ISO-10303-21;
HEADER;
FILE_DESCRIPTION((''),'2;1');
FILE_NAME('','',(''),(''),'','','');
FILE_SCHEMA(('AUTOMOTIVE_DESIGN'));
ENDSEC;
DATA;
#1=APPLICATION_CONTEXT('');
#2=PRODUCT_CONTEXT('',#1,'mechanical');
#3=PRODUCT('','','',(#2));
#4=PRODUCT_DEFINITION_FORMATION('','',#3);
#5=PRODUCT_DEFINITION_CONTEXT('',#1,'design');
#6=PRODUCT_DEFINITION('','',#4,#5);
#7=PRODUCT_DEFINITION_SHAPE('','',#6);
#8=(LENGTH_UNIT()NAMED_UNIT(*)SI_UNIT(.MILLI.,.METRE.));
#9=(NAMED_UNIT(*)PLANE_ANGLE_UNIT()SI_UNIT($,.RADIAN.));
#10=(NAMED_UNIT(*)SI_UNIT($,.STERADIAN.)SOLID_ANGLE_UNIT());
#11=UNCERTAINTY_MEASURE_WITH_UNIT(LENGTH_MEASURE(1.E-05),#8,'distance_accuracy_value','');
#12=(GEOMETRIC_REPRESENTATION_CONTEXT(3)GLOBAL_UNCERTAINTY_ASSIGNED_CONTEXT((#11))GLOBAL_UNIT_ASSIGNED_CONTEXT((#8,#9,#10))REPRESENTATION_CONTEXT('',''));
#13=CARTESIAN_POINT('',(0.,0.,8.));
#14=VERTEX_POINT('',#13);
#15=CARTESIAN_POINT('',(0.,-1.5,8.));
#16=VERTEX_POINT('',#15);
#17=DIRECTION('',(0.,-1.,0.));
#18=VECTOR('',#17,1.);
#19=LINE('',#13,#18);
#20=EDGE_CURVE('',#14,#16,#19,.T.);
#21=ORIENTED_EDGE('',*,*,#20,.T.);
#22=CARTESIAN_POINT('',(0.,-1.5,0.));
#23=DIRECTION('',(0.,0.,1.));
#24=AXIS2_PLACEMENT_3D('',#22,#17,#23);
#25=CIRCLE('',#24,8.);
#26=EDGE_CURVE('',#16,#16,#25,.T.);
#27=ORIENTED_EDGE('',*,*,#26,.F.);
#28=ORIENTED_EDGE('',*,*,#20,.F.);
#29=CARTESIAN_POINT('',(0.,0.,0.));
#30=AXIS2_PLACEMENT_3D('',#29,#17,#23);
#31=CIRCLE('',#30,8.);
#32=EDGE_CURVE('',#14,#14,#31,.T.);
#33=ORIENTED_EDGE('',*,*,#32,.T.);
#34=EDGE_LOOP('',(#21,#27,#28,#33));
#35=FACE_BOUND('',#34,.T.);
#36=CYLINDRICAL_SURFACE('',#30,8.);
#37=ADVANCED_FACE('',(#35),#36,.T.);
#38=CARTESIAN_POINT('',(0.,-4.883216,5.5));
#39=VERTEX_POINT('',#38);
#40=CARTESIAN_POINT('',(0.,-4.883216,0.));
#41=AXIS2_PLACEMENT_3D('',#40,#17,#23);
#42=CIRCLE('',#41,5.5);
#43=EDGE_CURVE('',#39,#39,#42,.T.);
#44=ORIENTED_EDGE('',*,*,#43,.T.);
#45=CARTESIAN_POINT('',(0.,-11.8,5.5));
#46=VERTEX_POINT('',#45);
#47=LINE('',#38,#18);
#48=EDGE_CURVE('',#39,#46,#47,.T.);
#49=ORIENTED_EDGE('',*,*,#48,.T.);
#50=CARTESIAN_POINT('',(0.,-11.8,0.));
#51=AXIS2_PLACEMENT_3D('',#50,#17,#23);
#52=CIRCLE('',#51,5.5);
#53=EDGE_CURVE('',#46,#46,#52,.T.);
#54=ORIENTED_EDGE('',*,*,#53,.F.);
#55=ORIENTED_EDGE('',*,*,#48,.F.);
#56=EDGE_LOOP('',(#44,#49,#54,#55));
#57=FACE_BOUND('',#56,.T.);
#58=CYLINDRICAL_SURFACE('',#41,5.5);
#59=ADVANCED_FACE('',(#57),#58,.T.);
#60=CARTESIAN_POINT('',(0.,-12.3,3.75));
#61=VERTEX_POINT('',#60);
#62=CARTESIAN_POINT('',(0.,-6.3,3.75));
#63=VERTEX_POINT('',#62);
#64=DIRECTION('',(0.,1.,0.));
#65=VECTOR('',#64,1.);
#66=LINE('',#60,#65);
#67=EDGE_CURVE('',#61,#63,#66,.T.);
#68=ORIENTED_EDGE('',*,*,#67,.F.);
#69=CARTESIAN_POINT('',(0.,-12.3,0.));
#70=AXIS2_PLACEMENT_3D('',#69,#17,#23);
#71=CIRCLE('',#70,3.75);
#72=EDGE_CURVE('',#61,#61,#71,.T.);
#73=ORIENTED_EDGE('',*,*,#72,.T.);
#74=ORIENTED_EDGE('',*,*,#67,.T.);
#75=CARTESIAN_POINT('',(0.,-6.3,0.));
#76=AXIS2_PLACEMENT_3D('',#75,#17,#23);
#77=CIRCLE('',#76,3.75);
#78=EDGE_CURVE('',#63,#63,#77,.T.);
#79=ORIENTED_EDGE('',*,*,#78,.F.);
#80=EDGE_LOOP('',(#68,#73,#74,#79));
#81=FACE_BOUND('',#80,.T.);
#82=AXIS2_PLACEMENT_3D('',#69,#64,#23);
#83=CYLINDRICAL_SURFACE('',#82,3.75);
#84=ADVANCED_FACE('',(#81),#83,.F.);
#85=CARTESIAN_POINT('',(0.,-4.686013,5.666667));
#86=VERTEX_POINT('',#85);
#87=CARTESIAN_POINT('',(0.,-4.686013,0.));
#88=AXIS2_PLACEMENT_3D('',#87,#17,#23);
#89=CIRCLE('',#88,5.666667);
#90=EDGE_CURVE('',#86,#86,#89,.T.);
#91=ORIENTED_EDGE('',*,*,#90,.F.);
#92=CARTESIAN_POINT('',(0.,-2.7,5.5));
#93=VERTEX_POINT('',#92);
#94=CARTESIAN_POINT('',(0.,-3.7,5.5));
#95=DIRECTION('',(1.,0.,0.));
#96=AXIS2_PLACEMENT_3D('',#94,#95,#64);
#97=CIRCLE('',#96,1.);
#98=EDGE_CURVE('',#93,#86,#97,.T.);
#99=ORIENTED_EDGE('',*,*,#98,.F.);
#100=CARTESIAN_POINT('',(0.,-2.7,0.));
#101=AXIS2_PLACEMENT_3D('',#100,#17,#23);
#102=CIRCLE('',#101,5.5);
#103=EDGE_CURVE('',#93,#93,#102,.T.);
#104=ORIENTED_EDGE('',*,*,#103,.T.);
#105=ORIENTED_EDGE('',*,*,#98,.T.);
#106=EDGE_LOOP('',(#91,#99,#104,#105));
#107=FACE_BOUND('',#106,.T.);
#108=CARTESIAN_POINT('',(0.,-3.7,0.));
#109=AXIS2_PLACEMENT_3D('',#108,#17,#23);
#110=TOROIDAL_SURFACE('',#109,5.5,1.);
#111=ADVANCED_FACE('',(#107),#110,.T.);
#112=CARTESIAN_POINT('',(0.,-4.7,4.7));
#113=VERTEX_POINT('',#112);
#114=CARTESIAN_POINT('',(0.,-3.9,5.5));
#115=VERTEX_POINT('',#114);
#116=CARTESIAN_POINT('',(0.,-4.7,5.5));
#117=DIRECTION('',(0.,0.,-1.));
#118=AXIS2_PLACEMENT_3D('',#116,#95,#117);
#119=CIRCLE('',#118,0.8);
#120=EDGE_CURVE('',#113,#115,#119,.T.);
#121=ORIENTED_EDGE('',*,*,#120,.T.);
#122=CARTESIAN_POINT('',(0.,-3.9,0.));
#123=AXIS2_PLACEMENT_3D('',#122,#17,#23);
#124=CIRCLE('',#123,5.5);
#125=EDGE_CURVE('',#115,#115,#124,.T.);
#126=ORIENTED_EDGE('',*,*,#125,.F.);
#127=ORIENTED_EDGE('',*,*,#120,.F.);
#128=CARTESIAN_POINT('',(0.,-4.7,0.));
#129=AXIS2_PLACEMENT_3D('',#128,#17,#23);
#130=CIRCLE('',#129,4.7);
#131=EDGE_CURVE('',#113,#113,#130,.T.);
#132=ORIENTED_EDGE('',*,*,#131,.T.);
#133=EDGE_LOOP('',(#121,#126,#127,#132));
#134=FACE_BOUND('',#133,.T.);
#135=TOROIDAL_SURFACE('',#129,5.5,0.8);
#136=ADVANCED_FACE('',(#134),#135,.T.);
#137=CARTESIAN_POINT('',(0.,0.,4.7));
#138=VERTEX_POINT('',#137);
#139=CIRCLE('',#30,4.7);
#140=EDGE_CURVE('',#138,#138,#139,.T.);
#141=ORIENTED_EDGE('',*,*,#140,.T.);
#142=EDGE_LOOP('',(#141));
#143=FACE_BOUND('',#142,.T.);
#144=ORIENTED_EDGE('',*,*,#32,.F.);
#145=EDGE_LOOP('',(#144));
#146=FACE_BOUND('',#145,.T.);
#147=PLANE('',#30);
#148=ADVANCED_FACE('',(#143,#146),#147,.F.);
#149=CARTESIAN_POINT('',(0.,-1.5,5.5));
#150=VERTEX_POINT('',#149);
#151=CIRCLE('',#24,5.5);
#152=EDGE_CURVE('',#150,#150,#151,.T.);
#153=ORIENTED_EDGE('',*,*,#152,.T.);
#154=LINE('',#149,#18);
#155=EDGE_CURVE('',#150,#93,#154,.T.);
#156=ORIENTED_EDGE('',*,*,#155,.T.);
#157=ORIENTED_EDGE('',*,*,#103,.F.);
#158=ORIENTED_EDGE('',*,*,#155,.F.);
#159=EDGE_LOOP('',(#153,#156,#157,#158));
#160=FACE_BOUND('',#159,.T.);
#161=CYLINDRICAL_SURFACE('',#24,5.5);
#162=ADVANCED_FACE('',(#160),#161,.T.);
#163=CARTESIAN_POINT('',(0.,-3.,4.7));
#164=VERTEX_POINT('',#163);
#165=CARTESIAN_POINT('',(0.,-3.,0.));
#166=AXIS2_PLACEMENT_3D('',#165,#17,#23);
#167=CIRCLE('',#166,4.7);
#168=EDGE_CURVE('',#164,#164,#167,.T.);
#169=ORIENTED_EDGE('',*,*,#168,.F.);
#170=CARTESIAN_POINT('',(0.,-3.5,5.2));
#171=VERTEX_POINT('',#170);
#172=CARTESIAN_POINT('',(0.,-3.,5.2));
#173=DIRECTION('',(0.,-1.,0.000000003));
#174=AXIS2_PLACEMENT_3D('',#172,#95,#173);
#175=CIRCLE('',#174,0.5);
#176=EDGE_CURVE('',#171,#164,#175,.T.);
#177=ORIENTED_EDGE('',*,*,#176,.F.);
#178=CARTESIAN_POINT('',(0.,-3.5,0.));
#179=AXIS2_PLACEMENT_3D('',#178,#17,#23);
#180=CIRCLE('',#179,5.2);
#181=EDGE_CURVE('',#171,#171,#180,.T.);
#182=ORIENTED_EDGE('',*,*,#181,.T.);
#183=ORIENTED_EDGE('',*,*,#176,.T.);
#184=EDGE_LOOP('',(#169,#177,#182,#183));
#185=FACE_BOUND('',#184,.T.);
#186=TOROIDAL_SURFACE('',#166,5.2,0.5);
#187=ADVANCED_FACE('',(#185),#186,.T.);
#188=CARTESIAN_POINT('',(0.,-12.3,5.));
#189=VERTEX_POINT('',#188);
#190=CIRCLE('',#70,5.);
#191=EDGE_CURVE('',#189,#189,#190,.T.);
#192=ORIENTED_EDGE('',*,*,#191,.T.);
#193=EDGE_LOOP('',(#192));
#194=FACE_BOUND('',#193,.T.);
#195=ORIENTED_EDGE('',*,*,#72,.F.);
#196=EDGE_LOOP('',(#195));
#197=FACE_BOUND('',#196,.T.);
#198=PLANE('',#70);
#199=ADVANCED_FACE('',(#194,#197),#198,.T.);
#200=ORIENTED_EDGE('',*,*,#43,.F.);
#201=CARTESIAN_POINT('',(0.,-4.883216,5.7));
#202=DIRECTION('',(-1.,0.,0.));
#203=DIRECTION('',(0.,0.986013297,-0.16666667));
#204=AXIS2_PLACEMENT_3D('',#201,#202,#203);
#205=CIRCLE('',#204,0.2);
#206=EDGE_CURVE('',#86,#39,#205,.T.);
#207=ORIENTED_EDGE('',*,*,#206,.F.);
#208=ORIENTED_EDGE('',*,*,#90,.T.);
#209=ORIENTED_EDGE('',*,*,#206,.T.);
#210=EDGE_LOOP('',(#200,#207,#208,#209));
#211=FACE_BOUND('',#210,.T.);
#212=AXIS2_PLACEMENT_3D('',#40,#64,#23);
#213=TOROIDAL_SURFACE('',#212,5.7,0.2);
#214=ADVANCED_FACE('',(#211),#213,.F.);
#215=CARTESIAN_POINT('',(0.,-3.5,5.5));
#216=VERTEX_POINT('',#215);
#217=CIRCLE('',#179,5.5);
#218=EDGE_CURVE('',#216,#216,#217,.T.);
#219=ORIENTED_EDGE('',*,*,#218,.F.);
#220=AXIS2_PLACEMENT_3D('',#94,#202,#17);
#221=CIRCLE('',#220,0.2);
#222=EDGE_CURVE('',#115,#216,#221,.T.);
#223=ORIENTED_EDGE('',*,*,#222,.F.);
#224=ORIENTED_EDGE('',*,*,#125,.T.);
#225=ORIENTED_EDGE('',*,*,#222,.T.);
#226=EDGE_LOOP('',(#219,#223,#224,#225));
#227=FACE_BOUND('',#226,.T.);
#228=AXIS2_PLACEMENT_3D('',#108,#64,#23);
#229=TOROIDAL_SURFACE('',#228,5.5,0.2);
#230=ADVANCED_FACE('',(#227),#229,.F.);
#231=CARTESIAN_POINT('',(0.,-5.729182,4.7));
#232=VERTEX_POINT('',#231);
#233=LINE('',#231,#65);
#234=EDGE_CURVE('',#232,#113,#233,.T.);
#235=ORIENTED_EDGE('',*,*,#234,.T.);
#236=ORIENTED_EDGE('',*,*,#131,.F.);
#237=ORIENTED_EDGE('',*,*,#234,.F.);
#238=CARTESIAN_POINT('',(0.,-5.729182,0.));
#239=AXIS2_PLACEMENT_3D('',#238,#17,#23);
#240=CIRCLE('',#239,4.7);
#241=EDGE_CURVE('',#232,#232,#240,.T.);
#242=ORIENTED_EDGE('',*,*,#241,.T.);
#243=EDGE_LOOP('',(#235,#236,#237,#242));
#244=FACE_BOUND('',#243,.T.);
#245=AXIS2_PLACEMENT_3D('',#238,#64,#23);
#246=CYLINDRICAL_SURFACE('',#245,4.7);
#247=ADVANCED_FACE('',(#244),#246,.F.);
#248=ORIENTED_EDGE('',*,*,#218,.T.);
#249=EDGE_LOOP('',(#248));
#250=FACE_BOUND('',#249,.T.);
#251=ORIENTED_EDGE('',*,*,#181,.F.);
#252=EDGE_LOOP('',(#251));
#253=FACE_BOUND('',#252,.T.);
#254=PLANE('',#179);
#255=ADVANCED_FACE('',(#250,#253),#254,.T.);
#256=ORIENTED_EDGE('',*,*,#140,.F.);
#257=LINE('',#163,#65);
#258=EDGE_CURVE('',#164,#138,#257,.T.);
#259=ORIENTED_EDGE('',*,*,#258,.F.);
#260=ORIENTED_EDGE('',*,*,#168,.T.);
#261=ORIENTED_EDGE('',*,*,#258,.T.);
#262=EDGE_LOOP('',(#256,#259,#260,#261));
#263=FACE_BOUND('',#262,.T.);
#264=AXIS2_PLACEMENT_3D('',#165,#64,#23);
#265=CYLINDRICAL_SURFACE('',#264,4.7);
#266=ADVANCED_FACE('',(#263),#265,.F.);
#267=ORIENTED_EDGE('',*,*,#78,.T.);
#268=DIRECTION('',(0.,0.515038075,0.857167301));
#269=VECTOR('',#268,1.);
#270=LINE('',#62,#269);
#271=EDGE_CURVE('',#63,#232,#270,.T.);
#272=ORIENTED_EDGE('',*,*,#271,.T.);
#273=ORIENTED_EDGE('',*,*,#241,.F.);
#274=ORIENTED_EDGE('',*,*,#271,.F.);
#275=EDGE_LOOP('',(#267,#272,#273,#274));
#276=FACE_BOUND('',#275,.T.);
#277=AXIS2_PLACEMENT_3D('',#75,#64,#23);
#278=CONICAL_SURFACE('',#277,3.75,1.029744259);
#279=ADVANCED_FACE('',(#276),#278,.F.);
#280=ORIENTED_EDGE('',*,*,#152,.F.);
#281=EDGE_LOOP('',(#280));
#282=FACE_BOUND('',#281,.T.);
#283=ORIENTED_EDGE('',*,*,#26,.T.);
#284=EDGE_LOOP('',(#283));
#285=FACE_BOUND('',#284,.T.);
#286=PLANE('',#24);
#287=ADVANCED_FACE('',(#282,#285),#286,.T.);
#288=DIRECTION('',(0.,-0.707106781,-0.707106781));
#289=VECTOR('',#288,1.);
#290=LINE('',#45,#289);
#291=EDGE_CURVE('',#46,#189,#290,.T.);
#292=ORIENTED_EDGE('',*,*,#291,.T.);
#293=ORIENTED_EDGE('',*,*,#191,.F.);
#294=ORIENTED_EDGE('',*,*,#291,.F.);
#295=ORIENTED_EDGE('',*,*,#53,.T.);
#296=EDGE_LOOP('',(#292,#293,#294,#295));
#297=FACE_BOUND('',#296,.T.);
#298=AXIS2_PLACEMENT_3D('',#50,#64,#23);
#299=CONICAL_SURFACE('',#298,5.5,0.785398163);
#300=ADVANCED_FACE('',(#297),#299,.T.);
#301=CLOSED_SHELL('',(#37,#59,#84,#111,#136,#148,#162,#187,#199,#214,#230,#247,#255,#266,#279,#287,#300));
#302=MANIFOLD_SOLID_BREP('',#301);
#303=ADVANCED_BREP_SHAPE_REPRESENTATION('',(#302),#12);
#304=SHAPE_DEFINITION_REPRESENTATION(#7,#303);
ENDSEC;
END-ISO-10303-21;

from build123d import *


with BuildPart() as part:
    # Sketch1 → Revolve1 (revolve)
    with BuildSketch(Plane(origin=(0, 0, 0), x_dir=(0, 0, -1), z_dir=(1, 0, 0)), mode=Mode.PRIVATE) as revolve1_sk:
        with BuildLine():
            Line((4.7, 0), (8, 0))
            Line((8, 0), (8, -1.5))
            Line((8, -1.5), (5.5, -1.5))
            Line((5.5, -1.5), (5.5, -2.7))
            ThreePointArc((5.5, -2.7), (6.496497189, -3.61637374), (5.666666667, -4.686013297))
            ThreePointArc((5.666666667, -4.686013297), (5.547247477, -4.754116512), (5.5, -4.883215957))
            Line((5.5, -4.883215957), (5.5, -11.8))
            Line((5.5, -11.8), (5, -12.3))
            Line((5, -12.3), (3.75, -12.3))
            Line((3.75, -12.3), (3.75, -6.3))
            Line((3.75, -6.3), (4.7, -5.729182412))
            Line((4.7, -5.729182412), (4.7, -4.7))
            ThreePointArc((4.7, -4.7), (4.934314575, -4.134314575), (5.5, -3.9))
            ThreePointArc((5.5, -3.9), (5.7, -3.7), (5.5, -3.5))
            Line((5.5, -3.5), (5.2, -3.5))
            ThreePointArc((5.2, -3.5), (4.846446609, -3.353553391), (4.7, -3))
            Line((4.7, -3), (4.7, 0))
        make_face()
    revolve(revolve1_sk.sketch.rotate(Axis((0, 0, 0), (0, -1, 0)), 180), axis=Axis((0, 0, 0), (0, -1, 0)))


solid = part.part
